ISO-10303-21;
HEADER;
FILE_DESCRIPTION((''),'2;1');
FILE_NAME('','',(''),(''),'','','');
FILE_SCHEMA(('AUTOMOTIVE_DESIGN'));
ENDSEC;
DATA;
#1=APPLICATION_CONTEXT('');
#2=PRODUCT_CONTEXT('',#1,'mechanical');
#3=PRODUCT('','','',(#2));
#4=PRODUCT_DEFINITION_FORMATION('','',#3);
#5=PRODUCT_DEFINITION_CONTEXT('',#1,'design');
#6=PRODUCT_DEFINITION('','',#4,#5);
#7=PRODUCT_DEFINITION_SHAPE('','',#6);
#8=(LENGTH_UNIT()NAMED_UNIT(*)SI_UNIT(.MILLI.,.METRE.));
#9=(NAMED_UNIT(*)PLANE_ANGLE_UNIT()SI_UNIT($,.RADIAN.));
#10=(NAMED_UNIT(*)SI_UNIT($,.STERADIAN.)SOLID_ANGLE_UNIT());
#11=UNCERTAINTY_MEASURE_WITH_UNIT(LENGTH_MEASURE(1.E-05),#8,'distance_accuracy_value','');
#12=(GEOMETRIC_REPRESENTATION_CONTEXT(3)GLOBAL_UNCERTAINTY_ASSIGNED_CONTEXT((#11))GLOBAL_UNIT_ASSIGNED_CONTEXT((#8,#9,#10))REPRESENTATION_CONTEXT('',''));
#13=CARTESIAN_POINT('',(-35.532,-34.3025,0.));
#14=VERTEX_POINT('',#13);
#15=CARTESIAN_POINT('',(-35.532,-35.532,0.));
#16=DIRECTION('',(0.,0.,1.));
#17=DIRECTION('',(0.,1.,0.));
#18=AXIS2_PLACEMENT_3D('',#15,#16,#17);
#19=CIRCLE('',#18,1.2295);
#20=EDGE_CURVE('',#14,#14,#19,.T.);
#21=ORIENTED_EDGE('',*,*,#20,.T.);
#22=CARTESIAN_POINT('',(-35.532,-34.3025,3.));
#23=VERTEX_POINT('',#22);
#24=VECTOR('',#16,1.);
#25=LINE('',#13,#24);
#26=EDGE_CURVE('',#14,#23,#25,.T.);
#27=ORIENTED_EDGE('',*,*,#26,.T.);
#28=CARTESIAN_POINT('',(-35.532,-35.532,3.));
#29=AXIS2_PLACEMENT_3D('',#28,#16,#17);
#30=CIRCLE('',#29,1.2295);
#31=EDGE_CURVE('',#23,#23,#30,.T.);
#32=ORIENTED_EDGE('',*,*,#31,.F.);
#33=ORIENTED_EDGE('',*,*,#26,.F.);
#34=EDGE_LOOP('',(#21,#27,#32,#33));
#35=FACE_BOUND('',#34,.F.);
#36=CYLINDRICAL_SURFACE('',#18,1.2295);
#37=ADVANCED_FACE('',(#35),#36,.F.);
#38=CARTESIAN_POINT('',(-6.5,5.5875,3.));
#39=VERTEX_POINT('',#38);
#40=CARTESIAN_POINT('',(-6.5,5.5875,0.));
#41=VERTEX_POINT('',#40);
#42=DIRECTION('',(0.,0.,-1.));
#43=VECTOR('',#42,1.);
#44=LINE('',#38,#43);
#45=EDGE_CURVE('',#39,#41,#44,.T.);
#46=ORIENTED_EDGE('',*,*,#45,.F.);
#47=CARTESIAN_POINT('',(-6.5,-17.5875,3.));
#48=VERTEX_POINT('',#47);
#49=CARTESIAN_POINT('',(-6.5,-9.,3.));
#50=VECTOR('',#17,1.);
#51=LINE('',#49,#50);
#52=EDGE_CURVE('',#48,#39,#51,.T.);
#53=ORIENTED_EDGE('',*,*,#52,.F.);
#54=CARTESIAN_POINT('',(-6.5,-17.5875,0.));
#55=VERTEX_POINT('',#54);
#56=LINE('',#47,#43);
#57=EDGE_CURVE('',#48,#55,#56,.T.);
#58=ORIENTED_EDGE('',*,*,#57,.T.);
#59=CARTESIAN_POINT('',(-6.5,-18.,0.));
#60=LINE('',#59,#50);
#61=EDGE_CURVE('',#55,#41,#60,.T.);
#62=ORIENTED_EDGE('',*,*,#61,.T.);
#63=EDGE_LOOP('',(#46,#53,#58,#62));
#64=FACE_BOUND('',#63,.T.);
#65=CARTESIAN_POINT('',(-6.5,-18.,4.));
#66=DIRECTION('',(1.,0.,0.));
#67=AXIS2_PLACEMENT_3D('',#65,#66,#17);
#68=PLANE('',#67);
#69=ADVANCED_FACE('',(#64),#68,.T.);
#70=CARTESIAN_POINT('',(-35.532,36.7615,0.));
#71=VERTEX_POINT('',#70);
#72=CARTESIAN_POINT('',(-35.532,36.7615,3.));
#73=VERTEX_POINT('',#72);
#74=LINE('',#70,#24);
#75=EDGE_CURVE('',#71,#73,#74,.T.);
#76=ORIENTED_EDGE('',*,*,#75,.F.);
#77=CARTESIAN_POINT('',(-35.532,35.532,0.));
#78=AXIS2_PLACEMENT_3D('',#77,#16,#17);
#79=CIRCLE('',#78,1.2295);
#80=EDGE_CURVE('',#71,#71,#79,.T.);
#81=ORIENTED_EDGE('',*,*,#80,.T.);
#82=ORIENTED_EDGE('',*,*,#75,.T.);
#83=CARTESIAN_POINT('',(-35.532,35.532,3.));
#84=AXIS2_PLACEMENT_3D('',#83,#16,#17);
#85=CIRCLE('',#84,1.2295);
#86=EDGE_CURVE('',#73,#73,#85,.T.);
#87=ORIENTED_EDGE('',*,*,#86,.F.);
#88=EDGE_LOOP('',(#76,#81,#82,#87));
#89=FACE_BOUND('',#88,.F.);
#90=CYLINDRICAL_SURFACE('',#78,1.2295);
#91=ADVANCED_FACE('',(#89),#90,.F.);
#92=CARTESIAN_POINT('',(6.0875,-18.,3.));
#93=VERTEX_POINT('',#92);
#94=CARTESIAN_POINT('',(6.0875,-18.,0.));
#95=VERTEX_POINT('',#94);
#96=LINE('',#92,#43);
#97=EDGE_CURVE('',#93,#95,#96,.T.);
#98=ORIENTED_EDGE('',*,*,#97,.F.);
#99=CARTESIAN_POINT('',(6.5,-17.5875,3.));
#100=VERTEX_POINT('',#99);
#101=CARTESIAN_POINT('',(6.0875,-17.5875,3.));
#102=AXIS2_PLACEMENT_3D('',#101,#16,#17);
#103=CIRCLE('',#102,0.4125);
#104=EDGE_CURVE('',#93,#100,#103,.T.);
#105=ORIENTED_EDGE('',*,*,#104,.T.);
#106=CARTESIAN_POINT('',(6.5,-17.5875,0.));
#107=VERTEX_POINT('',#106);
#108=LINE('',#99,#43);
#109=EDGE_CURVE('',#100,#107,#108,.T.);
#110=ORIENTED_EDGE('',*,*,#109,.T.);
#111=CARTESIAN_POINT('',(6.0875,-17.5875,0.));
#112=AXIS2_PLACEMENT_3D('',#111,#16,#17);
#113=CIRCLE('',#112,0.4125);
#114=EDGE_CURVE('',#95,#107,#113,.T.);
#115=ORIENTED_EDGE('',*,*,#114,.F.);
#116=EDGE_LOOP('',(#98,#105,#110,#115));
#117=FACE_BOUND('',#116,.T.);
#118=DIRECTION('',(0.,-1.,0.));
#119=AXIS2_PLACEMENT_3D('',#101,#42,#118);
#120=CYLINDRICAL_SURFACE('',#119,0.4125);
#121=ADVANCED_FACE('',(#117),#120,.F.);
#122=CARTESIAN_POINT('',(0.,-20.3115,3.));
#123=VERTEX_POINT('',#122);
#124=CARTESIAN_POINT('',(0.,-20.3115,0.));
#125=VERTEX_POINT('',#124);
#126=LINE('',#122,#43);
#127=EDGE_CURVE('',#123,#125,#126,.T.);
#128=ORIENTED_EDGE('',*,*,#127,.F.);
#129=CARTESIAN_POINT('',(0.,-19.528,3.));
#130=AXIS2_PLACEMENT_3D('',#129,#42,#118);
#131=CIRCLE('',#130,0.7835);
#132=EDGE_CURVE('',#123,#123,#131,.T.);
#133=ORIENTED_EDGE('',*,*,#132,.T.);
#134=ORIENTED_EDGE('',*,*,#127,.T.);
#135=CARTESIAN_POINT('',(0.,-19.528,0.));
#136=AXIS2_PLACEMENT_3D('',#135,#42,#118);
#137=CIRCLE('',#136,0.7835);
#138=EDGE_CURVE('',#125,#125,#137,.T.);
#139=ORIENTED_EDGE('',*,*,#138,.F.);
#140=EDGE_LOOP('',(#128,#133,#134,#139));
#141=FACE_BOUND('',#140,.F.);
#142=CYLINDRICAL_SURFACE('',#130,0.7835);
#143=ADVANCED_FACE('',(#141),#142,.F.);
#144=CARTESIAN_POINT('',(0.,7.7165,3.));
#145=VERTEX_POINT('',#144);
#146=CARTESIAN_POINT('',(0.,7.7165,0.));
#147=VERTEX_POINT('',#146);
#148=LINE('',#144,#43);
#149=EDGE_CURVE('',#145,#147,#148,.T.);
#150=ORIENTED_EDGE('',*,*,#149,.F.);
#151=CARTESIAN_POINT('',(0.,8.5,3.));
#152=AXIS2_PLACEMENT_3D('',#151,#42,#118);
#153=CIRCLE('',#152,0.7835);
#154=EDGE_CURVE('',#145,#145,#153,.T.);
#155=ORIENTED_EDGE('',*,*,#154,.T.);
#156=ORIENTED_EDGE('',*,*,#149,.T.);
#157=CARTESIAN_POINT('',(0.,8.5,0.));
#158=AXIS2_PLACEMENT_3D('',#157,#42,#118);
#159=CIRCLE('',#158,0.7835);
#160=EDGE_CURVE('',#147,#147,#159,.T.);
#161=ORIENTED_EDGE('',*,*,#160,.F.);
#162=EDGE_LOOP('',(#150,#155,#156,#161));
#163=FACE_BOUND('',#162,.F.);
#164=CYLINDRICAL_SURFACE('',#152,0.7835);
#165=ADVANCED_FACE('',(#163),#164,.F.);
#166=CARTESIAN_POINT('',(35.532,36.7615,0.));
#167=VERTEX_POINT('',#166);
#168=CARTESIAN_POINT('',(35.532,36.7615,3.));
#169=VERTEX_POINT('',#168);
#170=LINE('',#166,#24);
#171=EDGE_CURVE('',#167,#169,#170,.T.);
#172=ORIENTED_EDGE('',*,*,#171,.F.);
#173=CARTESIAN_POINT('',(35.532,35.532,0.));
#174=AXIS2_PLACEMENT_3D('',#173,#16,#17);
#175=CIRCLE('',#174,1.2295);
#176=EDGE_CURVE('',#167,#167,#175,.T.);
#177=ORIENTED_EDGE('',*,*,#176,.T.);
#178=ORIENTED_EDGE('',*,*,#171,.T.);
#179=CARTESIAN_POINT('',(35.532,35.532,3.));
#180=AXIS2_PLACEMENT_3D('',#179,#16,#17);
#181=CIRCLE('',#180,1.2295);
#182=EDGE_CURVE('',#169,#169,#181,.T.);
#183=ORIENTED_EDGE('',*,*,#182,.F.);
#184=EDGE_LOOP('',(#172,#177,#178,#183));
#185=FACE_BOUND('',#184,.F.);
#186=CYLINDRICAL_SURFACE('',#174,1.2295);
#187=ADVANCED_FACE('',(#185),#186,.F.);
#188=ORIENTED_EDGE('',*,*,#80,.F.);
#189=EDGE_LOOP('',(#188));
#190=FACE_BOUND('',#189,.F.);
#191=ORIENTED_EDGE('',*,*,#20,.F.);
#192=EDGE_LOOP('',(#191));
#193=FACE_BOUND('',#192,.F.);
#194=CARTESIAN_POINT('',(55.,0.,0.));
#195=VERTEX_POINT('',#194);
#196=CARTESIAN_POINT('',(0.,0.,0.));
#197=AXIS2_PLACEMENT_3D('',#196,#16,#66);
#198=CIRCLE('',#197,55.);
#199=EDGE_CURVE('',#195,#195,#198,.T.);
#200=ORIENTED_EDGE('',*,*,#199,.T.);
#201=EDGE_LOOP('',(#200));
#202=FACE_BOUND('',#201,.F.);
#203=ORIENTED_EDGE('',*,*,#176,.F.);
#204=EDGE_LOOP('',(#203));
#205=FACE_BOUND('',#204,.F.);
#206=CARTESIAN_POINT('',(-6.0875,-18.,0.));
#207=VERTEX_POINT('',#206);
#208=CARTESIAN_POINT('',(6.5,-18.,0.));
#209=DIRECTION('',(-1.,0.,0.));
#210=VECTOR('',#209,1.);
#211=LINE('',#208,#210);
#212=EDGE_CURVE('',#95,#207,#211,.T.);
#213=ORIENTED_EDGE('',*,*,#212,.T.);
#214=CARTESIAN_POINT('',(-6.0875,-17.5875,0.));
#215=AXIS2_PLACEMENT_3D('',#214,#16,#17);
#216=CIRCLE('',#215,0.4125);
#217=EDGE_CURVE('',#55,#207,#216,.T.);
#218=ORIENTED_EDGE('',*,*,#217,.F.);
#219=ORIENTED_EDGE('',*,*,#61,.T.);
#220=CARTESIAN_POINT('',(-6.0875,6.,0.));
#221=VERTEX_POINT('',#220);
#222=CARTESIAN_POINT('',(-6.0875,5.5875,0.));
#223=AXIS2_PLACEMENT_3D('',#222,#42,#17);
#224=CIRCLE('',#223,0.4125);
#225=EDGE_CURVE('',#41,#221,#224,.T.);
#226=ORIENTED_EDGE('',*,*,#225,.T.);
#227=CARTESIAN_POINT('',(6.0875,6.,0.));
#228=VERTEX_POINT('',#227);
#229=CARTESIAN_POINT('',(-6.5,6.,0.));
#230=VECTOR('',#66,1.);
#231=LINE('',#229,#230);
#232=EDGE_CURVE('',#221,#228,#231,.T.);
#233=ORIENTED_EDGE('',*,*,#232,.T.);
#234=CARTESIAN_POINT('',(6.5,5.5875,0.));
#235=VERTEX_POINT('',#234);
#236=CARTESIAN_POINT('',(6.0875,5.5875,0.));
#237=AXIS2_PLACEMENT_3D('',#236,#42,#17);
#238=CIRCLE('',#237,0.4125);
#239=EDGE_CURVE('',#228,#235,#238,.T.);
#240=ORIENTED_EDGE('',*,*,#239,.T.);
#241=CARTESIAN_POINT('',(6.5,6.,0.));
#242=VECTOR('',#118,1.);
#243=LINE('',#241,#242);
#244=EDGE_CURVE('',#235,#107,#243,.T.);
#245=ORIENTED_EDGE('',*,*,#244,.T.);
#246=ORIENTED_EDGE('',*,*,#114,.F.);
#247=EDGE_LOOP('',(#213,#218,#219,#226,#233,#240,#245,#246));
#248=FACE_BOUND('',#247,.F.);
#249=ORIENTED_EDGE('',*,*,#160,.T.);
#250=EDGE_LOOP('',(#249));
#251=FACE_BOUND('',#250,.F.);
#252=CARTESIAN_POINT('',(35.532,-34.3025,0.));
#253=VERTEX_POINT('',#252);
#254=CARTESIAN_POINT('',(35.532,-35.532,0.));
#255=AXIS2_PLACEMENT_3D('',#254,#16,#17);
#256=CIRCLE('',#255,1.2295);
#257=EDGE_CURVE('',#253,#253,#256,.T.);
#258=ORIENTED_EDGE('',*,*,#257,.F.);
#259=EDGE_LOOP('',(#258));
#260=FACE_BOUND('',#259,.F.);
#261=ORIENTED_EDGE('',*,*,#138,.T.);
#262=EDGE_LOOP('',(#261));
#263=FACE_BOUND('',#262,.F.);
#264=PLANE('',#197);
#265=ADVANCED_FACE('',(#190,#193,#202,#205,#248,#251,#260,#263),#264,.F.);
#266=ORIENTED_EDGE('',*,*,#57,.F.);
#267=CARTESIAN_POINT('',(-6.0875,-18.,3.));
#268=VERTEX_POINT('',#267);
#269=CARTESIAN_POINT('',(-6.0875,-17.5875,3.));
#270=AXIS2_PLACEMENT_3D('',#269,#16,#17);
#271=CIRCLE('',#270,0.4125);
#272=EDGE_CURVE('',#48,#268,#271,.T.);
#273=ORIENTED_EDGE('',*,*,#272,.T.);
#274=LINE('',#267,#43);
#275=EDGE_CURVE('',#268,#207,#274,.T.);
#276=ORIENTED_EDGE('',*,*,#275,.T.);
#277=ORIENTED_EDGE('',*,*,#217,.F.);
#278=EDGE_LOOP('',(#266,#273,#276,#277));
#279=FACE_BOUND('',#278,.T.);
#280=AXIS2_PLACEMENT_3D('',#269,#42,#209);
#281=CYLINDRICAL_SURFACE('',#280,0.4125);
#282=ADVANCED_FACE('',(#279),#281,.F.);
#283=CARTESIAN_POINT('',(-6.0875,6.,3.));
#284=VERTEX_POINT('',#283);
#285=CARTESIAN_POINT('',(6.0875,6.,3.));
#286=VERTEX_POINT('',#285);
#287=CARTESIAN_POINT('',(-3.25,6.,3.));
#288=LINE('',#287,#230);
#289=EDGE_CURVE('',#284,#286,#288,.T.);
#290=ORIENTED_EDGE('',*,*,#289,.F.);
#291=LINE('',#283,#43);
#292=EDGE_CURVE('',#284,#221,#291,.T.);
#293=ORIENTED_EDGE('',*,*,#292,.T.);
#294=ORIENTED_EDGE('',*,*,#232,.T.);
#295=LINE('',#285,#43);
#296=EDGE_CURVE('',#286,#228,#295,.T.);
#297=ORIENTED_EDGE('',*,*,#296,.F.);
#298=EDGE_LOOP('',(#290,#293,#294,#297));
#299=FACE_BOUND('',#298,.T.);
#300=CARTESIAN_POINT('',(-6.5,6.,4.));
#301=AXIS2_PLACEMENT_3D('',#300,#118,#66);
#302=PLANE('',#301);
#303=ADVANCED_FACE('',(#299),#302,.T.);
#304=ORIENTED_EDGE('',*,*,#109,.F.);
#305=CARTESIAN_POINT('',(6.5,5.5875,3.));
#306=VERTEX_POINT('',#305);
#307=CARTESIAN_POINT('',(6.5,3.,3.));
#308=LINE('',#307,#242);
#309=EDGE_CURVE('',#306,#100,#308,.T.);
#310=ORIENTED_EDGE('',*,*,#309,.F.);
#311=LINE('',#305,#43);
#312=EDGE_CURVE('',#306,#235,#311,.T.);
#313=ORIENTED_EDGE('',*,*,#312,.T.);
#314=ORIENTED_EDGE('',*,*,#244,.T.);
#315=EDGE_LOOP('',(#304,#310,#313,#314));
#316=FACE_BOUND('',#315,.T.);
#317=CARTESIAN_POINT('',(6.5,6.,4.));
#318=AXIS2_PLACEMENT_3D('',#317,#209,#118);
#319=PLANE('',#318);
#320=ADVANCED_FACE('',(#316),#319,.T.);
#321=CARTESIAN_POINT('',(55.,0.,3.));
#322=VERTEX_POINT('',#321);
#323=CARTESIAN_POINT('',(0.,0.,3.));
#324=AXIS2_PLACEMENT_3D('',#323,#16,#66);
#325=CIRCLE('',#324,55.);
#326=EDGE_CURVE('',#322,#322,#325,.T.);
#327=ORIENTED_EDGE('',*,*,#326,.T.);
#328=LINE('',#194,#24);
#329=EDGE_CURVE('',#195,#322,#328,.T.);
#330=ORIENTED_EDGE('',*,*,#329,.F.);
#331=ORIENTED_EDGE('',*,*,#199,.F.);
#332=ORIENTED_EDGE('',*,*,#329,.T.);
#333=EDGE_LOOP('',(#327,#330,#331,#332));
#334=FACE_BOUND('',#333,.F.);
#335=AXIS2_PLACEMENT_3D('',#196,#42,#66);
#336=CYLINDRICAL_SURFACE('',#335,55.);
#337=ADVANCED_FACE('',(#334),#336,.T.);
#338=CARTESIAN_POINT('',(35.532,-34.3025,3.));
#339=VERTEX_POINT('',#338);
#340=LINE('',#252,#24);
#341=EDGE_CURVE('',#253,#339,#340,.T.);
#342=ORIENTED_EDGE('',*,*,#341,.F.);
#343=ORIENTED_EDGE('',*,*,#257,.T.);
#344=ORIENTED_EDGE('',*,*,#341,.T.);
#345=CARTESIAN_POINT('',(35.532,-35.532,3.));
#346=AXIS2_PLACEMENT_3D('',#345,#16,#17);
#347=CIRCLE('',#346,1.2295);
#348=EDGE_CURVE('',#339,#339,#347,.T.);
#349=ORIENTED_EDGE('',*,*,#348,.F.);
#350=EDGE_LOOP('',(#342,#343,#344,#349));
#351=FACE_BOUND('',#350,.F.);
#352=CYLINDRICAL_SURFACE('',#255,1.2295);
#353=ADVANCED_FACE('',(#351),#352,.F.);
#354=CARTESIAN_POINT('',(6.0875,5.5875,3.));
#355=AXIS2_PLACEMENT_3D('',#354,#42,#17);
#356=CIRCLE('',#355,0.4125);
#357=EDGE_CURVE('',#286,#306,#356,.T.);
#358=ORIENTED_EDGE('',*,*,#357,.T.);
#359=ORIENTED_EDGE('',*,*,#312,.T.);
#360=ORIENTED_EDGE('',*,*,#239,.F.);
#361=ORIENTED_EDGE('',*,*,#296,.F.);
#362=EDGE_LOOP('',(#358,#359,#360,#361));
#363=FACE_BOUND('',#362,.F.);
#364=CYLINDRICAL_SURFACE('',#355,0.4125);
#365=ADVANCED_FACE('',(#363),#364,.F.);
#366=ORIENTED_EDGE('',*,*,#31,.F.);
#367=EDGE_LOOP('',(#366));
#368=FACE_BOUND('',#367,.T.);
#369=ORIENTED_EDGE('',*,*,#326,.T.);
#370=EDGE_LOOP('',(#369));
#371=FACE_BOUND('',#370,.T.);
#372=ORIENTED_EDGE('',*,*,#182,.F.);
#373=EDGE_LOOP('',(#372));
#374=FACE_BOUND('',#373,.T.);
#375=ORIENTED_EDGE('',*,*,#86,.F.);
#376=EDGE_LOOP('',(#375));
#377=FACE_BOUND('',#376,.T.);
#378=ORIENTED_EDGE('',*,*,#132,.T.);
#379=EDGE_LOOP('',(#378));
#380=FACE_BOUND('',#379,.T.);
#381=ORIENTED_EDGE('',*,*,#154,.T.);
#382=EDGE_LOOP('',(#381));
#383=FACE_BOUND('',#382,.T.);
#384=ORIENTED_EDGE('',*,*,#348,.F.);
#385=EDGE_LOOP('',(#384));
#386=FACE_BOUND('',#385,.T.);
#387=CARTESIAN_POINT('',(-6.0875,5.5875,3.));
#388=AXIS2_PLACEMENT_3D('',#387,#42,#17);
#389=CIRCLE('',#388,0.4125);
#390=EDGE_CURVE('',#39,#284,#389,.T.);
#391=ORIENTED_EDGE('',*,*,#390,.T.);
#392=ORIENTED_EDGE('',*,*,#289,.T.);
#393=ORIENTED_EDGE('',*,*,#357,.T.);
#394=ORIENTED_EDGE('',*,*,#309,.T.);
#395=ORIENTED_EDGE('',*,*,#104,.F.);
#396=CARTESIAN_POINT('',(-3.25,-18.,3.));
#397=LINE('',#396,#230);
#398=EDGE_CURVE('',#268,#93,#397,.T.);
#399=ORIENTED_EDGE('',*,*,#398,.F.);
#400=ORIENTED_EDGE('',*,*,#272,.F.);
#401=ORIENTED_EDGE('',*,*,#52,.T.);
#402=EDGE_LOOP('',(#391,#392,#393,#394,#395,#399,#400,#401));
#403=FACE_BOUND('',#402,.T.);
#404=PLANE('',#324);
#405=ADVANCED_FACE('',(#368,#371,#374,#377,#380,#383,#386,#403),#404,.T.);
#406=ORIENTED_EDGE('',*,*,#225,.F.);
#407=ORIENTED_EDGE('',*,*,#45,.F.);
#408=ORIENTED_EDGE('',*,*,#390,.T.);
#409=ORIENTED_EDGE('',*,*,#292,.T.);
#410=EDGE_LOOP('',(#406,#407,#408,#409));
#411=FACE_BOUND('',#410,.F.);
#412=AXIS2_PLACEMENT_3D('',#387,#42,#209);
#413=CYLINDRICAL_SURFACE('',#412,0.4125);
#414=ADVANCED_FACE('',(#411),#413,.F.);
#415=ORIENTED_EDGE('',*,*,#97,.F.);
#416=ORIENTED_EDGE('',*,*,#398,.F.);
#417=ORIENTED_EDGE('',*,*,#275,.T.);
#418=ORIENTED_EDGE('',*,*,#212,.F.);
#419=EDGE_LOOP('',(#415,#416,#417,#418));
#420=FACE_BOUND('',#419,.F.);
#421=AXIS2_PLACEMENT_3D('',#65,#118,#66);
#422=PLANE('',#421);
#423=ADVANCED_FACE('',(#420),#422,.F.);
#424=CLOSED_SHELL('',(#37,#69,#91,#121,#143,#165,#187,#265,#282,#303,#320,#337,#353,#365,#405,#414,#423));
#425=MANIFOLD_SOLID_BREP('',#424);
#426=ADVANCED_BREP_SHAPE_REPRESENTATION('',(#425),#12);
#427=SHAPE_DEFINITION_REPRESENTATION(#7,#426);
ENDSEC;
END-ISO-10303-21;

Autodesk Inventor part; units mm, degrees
sketch "Sketch1" plane through (0, 0, 0) normal (0, 0, 1) x (1, 0, 0)
  circle A0 centre (0, 0) radius 55
  dimension "d0" = 110
extrude "Extrusion1" add sketch "Sketch1" along normal blind 3
ref_plane "Work Plane1" through (0, 0, 4) normal (0, 0, 1) x (1, 0, 0)
sketch "Sketch2" plane through (0, 0, 4) normal (0, 0, 1) x (1, 0, 0)
  line L0 (-6.5, 6) -> (6.5, 6)
  line L1 (6.5, 6) -> (6.5, -18)
  line L2 (-6.5, -18) -> (-6.5, 6)
  circle A0 centre (-35.532, 35.532) radius 1.5
  circle A1 centre (-35.532, -35.532) radius 1.5
  circle A2 centre (35.532, -35.532) radius 1.5
  circle A3 centre (35.532, 35.532) radius 1.5
  line L3 (-6.5, -18) -> (6.5, -18)
  circle A4 centre (0, 8.5) radius 1
  circle A5 centre (0, -19.528) radius 1.9565
  point P0 (0, 0)
  point P1 (0, 6)
  point P2 (0, -13.848)
  dimension "d4" = 13
  dimension "d7" = 3
  dimension "d8" = 3
  dimension "d9" = 3
  dimension "d10" = 3
  dimension "d15" = 35.532
  dimension "d16" = 35.532
  dimension "d17" = 35.532
  dimension "d18" = 35.532
  dimension "d19" = 35.532
  dimension "d20" = 35.532
  dimension "d21" = 35.532
  dimension "d22" = 35.532
  dimension "d138" = 6
  dimension "d139" = 24
  dimension "d140" = 2
  dimension "d141" = 2.5
  dimension "d142" = 1.528
extrude "Extrusion2" cut sketch "Sketch2" against normal blind 4 contours L0 L1 L3 A5 L2 | A5 L3 picked at (0, -17.8572)
ref_plane "Work Plane2" through (0, 0, 3) normal (0, 0, 1) x (1, 0, 0)
sketch "Sketch3" plane through (0, 0, 3) normal (0, 0, 1) x (1, 0, 0)
  circle A0 centre (-35.577, 35.5342) radius 2.5
  circle A1 centre (-35.5225, -35.5931) radius 2.5
  circle A2 centre (35.5095, -35.5931) radius 2.5
  circle A3 centre (35.5095, 35.4262) radius 2.5
  point P0 (0, 0)
ref_plane "Work Plane3" through (0, 0, -1) normal (0, 0, 1) x (1, 0, 0)
ref_plane "Work Plane4" through (0, 0, 0) normal (0, 0, -1) x (-1, 0, 0)
sketch "Sketch5" plane through (0, 0, 0) normal (0, 0, -1) x (-1, 0, 0)
  line L0 (-9.906, 9.652) -> (9.906, 9.652)
  line L1 (9.906, 9.652) -> (9.906, -30.226)
  line L2 (9.906, -30.226) -> (-9.906, -30.226)
  line L3 (-9.906, -30.226) -> (-9.906, 9.652)
  circle A0 centre (-35.532, 35.532) radius 1.5
  circle A1 centre (-35.532, -35.532) radius 1.5
  circle A2 centre (35.532, -35.532) radius 1.5
  circle A3 centre (35.532, 35.532) radius 1.5
  circle A4 centre (-5.08, 13.462) radius 1
  circle A5 centre (5.08, 13.462) radius 1
  circle A6 centre (-5.08, -34.036) radius 1
  circle A7 centre (5.08, -34.036) radius 1
  point P0 (0, 0)
  point P1 (0, 0)
  point P2 (0, 9.652)
  point P3 (0, -30.226)
  dimension "d53" = 19.812
  dimension "d54" = 39.878
  dimension "d55" = 9.652
  dimension "d56" = 3
  dimension "d57" = 3
  dimension "d58" = 3
  dimension "d59" = 3
  dimension "d60" = 2
  dimension "d61" = 2
  dimension "d62" = 2
  dimension "d63" = 2
  dimension "d64" = 35.532
  dimension "d65" = 35.532
  dimension "d66" = 35.532
  dimension "d67" = 35.532
  dimension "d68" = 35.532
  dimension "d69" = 35.532
  dimension "d70" = 35.532
  dimension "d71" = 35.532
  dimension "d72" = 10.16
  dimension "d73" = 10.16
  dimension "d74" = 3.81
  dimension "d75" = 3.81
  dimension "d76" = 3.81
  dimension "d77" = 3.81
  dimension "d78" = 30.226
  dimension "d79" = 5.08
  dimension "d80" = 5.08
  dimension "d81" = 5.08
  dimension "d82" = 5.08
hole "Hole1" at (35.532, 35.532, 0) at (-35.532, 35.532, 0) at (35.532, -35.532, 0) at (-35.532, -35.532, 0) direction (0, 0, 1) diameter 2.459 depth 4 tip angle 118 thread size "M3x0.5" class "6H" standard "ANSI Metric M Profile"
ref_plane "Work Plane5" through (0, 0, 0) normal (0, 0, -1) x (-1, 0, 0)
fillet "Fillet1" radius 0.4125 4 edges at (6.5, -18, 1.5) (-6.5, -18, 1.5) (6.5, 6, 1.5) (-6.5, 6, 1.5)
ref_plane "Work Plane6" through (0, 0, 0) normal (0, 0, -1) x (-1, 0, 0)
ref_plane "Work Plane7" through (0, 0, 3) normal (0, 0, 1) x (1, 0, 0)
sketch "Sketch8" plane through (0, 0, 3) normal (0, 0, 1) x (1, 0, 0)
  circle A0 centre (0, -19.528) radius 1
  circle A1 centre (0, 8.5) radius 1
  line L0 (6.0875, -18) -> (-6.0875, -18) projected
  line L1 (-6.0875, 6) -> (6.0875, 6) projected
  point P0 (0, 0)
  point P1 (0, -18)
  point P2 (0, -18)
  dimension "d144" = 2
  dimension "d145" = 2
  dimension "d146" = 1.528
  dimension "d147" = 2.5
hole "Hole3" at (0, 8.5, 3) at (0, -19.528, 3) direction (0, 0, -1) diameter 1.567 depth 6.3 tip angle 118 thread size "M2x0.4" class "6H" standard "ANSI Metric M Profile"
properties part number "bottom-plate"
